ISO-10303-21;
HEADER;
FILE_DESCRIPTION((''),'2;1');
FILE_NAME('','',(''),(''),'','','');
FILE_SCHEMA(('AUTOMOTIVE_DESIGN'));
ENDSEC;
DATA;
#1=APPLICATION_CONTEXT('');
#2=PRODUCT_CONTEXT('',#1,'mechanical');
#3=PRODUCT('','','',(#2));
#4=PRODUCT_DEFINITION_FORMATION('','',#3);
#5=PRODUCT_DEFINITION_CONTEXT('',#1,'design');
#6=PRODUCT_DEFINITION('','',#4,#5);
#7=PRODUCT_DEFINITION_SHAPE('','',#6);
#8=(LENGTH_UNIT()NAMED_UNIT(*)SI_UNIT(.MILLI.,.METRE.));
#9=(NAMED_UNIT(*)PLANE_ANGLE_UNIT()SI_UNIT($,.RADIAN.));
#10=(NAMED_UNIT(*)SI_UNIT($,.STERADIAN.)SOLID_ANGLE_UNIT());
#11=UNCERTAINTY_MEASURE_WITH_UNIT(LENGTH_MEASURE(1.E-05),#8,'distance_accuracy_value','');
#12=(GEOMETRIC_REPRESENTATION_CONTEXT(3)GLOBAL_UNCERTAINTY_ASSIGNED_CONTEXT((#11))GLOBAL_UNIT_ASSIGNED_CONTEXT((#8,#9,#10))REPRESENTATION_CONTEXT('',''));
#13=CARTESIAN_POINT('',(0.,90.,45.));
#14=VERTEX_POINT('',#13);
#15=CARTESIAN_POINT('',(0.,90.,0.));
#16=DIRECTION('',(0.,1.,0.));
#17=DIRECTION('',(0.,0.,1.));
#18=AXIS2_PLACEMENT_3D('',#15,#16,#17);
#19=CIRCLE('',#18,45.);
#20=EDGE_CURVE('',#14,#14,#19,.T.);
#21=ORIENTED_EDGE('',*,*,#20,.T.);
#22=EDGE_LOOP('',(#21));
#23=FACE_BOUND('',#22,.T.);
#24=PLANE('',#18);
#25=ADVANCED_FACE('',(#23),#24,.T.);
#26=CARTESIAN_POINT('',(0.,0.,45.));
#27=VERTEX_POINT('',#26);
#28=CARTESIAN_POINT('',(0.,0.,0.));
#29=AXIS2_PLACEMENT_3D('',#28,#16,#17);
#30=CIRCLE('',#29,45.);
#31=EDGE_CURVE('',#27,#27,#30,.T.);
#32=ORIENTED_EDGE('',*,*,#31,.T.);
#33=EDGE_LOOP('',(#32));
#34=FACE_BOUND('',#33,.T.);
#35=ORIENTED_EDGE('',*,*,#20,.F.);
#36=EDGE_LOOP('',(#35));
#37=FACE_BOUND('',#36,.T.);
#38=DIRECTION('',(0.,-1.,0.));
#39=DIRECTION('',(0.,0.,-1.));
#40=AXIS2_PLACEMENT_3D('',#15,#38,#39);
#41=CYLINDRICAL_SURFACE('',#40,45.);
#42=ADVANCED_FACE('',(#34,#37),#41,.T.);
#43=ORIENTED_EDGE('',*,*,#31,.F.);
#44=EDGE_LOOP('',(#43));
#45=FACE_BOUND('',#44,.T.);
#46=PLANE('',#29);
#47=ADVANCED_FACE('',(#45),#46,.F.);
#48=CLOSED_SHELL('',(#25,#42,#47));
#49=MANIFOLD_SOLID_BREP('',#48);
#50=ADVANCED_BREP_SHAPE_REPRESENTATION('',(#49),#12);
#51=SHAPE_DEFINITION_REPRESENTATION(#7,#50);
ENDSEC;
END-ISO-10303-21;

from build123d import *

# Parameters (mm, degrees)
SKETCH1_R           = 45
BOSS_EXTRUDE1_DEPTH = 90


with BuildPart() as part:
    # Sketch1 → Boss-Extrude1 (new body)
    with BuildSketch(Plane(origin=(0, 0, 0), x_dir=(1, 0, 0), z_dir=(0, 1, 0))):
        Circle(SKETCH1_R)
    extrude(amount=BOSS_EXTRUDE1_DEPTH)


solid = part.part
